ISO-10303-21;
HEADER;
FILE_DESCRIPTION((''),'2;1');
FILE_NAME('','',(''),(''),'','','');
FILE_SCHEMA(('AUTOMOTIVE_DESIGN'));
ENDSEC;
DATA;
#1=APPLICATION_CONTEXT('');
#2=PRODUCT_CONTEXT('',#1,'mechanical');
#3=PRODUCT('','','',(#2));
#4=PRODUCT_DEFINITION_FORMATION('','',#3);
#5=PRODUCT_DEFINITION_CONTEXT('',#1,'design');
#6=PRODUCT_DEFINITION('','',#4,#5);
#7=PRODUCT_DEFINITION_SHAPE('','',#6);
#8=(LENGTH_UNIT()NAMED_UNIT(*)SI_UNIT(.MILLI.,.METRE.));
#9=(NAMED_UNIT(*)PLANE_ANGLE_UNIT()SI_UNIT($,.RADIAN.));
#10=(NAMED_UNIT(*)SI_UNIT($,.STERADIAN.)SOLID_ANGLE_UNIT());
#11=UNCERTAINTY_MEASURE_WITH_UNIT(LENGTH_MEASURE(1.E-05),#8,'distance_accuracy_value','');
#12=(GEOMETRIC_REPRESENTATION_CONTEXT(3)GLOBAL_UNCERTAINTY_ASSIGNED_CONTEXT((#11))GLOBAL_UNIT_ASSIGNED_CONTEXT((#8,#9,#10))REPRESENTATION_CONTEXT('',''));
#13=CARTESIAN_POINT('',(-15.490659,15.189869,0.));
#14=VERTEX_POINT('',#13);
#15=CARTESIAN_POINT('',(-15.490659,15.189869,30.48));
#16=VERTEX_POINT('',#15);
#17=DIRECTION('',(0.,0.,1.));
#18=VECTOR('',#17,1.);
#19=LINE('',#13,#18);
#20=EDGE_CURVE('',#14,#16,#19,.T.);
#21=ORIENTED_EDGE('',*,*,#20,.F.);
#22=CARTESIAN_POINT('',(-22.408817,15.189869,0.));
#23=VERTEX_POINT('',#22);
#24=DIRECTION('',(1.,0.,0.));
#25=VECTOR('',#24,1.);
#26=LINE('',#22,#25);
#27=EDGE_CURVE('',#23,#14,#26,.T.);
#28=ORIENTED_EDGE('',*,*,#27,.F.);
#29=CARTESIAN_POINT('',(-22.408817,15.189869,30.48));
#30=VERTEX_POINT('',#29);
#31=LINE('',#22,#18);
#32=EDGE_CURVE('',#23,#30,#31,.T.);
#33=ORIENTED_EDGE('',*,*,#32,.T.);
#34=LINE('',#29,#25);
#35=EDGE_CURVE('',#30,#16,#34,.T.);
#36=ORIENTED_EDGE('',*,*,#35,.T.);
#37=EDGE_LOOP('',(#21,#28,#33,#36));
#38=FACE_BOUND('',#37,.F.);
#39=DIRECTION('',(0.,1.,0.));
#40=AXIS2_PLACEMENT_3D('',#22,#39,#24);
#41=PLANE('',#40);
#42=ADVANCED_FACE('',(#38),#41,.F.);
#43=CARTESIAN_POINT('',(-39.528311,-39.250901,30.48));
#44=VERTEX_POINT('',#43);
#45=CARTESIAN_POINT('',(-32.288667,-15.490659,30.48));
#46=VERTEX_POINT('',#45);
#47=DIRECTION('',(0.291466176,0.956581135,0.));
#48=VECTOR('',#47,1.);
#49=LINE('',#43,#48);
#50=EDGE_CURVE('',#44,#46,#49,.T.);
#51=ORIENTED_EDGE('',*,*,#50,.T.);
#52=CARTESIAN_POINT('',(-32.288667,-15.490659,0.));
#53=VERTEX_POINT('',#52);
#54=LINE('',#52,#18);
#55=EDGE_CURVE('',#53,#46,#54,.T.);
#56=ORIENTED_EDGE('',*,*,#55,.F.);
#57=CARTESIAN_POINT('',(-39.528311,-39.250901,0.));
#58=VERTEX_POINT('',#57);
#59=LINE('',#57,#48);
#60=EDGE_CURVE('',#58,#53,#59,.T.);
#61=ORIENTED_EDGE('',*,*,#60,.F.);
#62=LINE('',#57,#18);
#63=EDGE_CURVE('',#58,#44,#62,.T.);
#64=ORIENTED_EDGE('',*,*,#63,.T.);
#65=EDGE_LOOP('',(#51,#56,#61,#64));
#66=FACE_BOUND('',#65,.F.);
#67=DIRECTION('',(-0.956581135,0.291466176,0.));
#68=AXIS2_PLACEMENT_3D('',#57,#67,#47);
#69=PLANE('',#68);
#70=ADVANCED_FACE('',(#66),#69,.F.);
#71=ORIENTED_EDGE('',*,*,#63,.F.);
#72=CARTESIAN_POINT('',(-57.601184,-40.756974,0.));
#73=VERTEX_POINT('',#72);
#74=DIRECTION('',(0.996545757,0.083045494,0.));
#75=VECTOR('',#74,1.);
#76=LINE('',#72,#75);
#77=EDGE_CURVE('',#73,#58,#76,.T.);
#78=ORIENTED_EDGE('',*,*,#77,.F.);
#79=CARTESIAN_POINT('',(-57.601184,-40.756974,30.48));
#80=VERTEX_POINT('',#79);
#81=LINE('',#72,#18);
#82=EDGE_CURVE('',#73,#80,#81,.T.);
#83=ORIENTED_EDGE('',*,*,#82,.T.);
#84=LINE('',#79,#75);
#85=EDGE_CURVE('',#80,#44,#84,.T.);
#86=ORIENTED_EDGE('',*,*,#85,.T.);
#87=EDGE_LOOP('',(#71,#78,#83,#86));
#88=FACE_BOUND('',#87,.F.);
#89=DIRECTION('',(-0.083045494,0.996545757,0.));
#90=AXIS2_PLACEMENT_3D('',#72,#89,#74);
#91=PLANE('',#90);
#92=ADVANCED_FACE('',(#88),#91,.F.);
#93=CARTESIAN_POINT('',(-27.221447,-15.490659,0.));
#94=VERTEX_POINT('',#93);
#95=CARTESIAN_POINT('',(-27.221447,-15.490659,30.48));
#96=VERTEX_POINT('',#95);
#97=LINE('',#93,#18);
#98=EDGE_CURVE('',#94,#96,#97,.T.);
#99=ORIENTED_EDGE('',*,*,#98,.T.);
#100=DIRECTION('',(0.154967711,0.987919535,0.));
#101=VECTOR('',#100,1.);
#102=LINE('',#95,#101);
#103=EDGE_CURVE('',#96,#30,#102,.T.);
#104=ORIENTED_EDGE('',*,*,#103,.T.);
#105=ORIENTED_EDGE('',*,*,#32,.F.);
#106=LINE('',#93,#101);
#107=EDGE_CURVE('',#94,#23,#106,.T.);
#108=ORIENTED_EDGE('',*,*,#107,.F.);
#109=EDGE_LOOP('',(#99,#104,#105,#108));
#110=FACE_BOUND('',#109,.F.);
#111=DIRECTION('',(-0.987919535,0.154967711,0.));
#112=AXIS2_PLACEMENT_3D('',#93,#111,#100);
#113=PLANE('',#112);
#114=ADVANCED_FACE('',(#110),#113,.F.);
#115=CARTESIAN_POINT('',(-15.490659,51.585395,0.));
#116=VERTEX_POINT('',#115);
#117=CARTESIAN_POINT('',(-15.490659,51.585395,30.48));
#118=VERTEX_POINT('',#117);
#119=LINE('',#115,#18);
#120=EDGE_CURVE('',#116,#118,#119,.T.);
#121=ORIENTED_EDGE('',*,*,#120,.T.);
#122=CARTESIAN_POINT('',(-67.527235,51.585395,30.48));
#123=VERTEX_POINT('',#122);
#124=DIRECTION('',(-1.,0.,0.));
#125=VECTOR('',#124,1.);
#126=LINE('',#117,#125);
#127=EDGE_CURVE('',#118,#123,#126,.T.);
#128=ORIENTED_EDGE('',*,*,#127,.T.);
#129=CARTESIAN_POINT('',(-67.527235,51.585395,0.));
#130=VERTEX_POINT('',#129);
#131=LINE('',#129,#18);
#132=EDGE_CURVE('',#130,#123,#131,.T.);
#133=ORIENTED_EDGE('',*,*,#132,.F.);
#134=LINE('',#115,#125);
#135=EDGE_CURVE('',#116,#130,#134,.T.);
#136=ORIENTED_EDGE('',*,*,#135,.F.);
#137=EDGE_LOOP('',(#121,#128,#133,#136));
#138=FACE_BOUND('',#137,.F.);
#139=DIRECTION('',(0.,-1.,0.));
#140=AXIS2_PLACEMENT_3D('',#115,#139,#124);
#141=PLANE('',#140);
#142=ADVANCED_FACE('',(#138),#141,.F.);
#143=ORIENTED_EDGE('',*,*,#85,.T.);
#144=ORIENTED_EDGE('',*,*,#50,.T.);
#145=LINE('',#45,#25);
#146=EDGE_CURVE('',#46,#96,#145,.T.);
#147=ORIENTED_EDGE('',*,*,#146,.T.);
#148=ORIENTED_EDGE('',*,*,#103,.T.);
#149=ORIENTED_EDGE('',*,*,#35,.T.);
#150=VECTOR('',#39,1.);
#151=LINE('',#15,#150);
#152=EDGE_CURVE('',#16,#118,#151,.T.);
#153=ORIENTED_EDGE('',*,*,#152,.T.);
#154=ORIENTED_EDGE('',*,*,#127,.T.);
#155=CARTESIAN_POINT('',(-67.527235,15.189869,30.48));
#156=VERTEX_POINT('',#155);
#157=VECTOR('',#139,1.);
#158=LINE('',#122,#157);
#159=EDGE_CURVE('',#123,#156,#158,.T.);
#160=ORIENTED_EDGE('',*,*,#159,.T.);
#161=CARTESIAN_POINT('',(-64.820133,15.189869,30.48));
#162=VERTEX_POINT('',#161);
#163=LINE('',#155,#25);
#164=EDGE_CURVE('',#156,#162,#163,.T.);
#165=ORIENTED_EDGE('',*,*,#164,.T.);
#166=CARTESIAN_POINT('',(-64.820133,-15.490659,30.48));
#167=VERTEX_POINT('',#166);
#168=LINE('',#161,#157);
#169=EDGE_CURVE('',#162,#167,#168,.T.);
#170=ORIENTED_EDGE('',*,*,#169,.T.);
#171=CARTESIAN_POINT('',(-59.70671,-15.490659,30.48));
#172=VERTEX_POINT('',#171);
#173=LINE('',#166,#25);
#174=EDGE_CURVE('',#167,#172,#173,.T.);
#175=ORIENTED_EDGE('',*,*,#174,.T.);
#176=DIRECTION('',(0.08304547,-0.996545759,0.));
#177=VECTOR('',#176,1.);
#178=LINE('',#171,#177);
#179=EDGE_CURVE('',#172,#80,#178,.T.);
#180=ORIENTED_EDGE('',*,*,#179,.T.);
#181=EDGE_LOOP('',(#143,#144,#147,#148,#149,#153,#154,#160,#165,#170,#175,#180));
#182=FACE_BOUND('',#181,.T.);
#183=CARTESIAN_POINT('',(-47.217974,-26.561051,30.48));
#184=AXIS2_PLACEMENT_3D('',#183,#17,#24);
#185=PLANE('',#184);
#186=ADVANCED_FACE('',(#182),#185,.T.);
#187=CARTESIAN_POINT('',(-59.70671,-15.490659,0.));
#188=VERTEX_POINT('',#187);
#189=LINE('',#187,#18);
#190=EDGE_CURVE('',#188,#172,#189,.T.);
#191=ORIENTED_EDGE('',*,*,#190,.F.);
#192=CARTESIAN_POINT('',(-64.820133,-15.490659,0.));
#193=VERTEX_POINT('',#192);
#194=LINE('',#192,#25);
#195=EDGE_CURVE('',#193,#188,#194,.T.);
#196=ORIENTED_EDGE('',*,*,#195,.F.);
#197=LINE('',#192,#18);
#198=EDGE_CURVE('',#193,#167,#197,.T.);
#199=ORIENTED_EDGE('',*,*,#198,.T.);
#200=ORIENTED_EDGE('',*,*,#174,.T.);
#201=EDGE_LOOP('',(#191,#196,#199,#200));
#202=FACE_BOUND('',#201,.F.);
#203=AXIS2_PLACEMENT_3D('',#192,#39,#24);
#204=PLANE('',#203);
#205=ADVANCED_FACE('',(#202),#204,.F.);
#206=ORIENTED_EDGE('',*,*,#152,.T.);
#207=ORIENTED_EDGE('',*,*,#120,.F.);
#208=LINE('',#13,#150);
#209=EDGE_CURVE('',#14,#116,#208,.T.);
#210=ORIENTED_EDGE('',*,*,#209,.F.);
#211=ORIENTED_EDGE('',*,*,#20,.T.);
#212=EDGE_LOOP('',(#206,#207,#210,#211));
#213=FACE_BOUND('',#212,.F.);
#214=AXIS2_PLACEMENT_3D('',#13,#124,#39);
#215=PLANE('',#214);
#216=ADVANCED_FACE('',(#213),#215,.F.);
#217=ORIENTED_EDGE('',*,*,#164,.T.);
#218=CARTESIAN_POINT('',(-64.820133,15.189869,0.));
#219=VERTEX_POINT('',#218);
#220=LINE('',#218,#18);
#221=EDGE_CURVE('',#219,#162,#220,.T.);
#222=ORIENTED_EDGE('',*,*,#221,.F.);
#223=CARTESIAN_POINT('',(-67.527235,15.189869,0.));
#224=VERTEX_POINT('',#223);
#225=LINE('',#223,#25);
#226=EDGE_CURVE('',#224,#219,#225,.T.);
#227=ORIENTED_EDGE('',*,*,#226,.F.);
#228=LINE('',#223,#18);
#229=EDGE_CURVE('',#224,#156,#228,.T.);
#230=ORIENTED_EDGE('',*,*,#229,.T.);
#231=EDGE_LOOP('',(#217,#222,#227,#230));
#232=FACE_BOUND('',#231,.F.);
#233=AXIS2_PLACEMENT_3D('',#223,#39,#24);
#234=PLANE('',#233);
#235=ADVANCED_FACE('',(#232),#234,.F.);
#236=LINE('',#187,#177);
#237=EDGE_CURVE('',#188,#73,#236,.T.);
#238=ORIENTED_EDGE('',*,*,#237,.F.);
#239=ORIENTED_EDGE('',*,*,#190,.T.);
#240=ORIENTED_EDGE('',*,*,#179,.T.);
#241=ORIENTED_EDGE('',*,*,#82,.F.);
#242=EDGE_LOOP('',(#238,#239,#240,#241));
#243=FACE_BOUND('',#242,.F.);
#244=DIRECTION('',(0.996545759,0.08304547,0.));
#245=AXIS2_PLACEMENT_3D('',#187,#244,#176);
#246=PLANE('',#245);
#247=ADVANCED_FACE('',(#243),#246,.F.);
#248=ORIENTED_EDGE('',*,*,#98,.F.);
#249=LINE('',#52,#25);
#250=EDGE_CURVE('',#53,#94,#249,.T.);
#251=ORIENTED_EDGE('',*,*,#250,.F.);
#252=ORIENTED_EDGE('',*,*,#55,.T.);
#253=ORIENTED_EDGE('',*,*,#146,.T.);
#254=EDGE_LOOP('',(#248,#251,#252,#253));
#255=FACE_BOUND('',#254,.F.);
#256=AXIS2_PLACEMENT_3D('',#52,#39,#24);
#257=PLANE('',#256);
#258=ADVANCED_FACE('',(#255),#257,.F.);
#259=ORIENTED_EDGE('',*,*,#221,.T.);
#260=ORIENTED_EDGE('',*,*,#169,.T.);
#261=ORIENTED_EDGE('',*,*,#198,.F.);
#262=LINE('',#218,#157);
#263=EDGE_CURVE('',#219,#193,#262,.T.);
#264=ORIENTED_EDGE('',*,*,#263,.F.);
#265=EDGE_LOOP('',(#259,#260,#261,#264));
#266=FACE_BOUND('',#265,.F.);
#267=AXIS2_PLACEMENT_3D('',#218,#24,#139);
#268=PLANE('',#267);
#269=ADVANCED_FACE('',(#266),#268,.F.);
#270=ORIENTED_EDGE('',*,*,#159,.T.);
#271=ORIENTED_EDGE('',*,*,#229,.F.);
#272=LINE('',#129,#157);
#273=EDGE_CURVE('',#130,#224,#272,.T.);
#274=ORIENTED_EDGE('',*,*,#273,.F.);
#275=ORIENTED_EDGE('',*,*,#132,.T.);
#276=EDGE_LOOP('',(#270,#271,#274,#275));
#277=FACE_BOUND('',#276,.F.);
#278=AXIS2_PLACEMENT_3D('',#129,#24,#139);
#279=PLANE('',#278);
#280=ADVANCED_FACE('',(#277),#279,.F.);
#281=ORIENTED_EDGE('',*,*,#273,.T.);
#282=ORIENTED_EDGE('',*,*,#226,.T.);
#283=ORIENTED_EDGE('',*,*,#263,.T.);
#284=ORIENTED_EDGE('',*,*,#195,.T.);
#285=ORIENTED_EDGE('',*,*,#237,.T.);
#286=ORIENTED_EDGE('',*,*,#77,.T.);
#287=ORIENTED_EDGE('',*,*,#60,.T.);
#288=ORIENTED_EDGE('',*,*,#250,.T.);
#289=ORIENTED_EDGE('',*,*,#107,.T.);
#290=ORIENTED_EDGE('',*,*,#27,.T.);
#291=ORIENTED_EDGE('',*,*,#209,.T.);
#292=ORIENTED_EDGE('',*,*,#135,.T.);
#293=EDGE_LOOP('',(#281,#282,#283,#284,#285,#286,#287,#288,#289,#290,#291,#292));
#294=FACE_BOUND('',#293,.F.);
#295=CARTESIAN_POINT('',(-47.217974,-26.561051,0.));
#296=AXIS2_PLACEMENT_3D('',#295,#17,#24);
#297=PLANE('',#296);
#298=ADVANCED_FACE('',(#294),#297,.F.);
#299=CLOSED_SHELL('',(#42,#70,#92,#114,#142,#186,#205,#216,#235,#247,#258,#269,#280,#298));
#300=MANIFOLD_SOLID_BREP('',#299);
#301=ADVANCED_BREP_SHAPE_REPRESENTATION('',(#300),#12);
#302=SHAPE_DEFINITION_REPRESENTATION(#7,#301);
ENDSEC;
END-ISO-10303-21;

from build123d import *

# Parameters (mm, degrees)
F1_DEPTH = 30.48


with BuildPart() as f1:
    # F0 (on Top) → F1 (new body)
    with BuildSketch(Plane.XY):
        Polygon((-32.288667, -15.490659), (-59.70671, -15.490659), (-57.601184, -40.756974), (-39.528311, -39.250901), align=None)
        Polygon((-22.408817, 15.189869), (-64.820133, 15.189869), (-64.820133, -15.490659), (-59.70671, -15.490659), (-32.288667, -15.490659), (-27.221447, -15.490659), align=None)
        Polygon((-67.527235, 51.585395), (-67.527235, 15.189869), (-64.820133, 15.189869), (-22.408817, 15.189869), (-15.490659, 15.189869), (-15.490659, 51.585395), align=None)
    extrude(amount=F1_DEPTH)


solid = f1.part
